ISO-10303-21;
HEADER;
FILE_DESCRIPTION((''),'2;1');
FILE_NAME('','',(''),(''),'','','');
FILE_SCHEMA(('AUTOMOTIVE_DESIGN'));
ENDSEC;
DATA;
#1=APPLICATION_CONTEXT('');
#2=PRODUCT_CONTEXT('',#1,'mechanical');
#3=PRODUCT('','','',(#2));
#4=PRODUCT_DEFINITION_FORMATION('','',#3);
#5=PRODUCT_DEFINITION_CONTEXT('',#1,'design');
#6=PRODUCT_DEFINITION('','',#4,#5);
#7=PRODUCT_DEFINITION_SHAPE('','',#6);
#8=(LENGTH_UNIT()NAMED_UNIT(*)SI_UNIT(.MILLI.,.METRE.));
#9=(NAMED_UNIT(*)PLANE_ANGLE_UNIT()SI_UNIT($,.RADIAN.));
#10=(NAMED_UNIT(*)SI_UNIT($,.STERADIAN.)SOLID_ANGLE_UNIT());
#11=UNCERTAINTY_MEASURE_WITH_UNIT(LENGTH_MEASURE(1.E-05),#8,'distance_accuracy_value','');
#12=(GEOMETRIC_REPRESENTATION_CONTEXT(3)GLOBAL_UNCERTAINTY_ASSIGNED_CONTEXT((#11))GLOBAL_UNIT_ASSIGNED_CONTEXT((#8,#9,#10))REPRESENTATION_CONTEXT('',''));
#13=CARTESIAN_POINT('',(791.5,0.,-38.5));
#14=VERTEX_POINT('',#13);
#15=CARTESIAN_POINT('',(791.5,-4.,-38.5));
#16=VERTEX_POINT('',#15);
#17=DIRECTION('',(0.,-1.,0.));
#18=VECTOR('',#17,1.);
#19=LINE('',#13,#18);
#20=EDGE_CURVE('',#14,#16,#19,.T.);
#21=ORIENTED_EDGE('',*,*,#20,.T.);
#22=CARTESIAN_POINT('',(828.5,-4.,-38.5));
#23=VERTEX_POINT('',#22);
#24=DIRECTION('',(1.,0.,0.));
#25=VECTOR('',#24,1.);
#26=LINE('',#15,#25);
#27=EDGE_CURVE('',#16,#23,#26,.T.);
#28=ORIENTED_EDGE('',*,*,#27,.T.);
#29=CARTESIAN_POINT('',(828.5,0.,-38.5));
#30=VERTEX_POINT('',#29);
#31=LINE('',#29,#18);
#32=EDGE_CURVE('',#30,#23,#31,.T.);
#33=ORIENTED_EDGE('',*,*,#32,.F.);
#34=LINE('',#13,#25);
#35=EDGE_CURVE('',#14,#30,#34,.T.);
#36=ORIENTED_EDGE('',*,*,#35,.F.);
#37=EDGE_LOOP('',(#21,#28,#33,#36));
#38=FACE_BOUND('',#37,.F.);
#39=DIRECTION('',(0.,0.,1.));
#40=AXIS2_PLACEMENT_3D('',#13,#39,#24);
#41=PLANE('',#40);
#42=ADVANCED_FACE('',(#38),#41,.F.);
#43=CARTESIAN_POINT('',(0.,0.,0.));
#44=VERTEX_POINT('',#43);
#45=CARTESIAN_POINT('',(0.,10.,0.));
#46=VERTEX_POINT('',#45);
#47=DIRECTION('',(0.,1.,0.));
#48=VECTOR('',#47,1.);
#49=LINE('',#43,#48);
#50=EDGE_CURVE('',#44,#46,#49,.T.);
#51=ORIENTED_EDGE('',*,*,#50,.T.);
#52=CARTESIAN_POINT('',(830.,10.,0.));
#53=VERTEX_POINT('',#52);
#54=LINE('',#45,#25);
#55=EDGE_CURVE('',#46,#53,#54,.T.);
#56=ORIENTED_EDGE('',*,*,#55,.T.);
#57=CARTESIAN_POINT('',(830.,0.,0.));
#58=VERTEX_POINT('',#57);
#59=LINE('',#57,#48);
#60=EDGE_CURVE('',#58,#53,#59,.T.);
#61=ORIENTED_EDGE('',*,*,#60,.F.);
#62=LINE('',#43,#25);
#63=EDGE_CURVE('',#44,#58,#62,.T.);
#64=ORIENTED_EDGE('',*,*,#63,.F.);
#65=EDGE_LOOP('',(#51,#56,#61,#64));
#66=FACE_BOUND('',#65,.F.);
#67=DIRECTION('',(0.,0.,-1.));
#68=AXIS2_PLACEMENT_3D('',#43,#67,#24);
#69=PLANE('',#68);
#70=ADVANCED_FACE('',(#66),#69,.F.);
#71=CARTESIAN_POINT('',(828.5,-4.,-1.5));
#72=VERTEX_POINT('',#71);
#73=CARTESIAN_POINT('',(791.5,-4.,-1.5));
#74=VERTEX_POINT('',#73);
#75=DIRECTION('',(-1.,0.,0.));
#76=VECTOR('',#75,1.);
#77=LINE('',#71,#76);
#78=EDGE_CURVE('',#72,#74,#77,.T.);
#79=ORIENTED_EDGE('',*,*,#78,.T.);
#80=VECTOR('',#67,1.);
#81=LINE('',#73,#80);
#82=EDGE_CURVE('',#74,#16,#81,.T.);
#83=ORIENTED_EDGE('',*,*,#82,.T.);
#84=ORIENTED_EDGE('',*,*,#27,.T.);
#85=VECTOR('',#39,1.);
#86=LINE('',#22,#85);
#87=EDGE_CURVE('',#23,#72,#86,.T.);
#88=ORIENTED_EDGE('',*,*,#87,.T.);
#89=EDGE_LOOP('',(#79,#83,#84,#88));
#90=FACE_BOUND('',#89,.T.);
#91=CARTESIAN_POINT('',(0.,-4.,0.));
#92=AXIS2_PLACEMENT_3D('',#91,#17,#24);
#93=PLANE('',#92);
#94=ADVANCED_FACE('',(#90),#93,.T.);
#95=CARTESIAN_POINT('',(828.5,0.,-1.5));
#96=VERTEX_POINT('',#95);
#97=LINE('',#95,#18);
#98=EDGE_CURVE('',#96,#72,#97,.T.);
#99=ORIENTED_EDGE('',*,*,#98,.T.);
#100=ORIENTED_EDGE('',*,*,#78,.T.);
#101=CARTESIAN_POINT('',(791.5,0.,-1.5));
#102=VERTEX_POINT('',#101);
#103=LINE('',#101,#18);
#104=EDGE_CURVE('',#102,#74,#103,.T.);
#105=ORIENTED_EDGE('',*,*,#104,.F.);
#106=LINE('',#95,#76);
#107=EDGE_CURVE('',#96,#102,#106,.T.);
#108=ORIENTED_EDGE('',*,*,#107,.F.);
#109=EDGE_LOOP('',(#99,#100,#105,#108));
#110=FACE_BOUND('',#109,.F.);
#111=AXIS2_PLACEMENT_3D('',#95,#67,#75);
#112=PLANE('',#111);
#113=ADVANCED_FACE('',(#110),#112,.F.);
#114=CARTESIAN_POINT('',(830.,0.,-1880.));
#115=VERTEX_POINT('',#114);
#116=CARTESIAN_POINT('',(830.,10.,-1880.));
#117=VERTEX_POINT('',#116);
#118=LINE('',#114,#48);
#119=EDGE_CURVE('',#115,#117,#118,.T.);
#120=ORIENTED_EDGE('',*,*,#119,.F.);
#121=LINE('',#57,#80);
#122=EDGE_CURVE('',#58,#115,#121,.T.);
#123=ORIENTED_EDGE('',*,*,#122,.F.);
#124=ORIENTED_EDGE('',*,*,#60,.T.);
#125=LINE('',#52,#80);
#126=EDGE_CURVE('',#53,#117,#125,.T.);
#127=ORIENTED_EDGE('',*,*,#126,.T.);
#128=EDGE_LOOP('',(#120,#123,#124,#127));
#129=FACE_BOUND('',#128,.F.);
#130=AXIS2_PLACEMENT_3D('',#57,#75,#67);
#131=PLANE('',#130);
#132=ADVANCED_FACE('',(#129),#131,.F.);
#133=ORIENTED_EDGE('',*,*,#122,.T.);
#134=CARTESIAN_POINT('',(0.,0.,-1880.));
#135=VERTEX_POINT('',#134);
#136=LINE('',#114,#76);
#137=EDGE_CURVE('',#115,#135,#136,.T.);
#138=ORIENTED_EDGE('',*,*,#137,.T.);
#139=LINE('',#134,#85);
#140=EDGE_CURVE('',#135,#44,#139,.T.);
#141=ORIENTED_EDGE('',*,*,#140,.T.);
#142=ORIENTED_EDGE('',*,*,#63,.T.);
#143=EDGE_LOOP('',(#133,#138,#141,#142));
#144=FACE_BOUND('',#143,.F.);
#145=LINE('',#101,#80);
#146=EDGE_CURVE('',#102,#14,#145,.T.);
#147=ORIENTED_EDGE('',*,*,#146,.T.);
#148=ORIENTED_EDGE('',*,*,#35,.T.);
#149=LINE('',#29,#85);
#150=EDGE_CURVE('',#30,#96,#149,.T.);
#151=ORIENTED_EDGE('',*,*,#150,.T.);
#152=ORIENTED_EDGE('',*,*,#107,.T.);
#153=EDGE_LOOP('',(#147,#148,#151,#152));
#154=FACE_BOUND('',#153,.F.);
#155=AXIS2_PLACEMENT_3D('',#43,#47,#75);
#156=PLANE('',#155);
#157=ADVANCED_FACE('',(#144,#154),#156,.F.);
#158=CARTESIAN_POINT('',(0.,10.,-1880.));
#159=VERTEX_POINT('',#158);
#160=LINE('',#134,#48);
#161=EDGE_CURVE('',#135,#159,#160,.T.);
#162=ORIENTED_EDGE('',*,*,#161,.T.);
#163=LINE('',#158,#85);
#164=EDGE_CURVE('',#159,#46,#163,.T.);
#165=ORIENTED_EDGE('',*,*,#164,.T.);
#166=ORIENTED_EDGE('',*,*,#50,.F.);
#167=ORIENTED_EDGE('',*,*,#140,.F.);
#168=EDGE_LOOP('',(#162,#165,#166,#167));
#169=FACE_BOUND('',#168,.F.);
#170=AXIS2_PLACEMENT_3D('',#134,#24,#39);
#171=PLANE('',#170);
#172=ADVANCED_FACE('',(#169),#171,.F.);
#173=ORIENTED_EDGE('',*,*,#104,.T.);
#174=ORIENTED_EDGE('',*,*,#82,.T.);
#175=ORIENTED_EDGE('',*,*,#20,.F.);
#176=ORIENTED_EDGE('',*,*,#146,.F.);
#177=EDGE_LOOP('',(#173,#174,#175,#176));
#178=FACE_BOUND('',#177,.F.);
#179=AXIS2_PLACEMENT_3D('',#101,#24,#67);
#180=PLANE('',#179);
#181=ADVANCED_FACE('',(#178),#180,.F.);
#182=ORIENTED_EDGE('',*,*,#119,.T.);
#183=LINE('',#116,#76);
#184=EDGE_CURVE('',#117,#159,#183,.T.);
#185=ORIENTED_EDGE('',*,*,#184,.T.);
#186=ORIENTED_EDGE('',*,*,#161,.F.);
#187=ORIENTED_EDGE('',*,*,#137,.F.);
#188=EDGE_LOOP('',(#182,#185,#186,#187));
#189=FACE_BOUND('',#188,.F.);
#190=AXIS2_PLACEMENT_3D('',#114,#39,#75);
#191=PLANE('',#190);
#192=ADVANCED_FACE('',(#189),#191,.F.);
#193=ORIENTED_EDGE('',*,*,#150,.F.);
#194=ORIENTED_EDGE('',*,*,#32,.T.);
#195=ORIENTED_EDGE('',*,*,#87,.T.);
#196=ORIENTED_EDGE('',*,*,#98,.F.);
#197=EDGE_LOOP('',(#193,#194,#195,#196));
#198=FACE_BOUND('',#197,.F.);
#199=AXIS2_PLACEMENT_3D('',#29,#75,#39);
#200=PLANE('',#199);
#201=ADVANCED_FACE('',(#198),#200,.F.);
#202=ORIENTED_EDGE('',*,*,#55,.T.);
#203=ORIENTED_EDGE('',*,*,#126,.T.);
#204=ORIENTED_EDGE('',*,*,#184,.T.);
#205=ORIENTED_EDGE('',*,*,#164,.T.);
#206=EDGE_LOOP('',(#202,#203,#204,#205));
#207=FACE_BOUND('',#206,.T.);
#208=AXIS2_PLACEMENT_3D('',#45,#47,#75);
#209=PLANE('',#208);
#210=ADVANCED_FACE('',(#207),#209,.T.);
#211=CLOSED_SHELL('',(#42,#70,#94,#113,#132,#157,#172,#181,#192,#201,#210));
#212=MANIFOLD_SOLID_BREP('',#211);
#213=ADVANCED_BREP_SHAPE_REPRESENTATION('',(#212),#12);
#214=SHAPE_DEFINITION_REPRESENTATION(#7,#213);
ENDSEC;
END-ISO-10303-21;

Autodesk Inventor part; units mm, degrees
ref_plane "YZ Plane" through (0, 0, 0) normal (1, 0, 0) x (0, 1, 0)
ref_plane "XZ Plane" through (0, 0, 0) normal (0, 1, 0) x (-1, 0, 0)
ref_plane "XY Plane" through (0, 0, 0) normal (0, 0, 1) x (1, 0, 0)
sketch "Boceto1" plane through (0, 0, 0) normal (0, 1, 0) x (-1, 0, 0)
  line L0 (0, 0) -> (-830, 0)
  line L1 (-830, 0) -> (-830, -1880)
  line L2 (-830, -1880) -> (0, -1880)
  line L3 (0, -1880) -> (0, 0)
  dimension "d0" = 830
  dimension "d1" = 1880
extrude "Extrusión1" add sketch "Boceto1" along normal blind 10
sketch "Boceto2" plane through (0, 0, 0) normal (0, -1, 0) x (1, 0, 0)
  line L0 (828.5, -1.5) -> (791.5, -1.5)
  line L1 (791.5, -1.5) -> (791.5, -38.5)
  line L2 (791.5, -38.5) -> (828.5, -38.5)
  line L3 (828.5, -38.5) -> (828.5, -1.5)
  line L4 (0, 0) -> (830, 0) projected
  line L5 (830, 0) -> (830, -1880) projected
  dimension "d4" = 37
  dimension "d5" = 37
  dimension "d6" = 1.5
  dimension "d7" = 1.5
extrude "Extrusión2" add sketch "Boceto2" along normal blind 4
properties part number "Tabla"
